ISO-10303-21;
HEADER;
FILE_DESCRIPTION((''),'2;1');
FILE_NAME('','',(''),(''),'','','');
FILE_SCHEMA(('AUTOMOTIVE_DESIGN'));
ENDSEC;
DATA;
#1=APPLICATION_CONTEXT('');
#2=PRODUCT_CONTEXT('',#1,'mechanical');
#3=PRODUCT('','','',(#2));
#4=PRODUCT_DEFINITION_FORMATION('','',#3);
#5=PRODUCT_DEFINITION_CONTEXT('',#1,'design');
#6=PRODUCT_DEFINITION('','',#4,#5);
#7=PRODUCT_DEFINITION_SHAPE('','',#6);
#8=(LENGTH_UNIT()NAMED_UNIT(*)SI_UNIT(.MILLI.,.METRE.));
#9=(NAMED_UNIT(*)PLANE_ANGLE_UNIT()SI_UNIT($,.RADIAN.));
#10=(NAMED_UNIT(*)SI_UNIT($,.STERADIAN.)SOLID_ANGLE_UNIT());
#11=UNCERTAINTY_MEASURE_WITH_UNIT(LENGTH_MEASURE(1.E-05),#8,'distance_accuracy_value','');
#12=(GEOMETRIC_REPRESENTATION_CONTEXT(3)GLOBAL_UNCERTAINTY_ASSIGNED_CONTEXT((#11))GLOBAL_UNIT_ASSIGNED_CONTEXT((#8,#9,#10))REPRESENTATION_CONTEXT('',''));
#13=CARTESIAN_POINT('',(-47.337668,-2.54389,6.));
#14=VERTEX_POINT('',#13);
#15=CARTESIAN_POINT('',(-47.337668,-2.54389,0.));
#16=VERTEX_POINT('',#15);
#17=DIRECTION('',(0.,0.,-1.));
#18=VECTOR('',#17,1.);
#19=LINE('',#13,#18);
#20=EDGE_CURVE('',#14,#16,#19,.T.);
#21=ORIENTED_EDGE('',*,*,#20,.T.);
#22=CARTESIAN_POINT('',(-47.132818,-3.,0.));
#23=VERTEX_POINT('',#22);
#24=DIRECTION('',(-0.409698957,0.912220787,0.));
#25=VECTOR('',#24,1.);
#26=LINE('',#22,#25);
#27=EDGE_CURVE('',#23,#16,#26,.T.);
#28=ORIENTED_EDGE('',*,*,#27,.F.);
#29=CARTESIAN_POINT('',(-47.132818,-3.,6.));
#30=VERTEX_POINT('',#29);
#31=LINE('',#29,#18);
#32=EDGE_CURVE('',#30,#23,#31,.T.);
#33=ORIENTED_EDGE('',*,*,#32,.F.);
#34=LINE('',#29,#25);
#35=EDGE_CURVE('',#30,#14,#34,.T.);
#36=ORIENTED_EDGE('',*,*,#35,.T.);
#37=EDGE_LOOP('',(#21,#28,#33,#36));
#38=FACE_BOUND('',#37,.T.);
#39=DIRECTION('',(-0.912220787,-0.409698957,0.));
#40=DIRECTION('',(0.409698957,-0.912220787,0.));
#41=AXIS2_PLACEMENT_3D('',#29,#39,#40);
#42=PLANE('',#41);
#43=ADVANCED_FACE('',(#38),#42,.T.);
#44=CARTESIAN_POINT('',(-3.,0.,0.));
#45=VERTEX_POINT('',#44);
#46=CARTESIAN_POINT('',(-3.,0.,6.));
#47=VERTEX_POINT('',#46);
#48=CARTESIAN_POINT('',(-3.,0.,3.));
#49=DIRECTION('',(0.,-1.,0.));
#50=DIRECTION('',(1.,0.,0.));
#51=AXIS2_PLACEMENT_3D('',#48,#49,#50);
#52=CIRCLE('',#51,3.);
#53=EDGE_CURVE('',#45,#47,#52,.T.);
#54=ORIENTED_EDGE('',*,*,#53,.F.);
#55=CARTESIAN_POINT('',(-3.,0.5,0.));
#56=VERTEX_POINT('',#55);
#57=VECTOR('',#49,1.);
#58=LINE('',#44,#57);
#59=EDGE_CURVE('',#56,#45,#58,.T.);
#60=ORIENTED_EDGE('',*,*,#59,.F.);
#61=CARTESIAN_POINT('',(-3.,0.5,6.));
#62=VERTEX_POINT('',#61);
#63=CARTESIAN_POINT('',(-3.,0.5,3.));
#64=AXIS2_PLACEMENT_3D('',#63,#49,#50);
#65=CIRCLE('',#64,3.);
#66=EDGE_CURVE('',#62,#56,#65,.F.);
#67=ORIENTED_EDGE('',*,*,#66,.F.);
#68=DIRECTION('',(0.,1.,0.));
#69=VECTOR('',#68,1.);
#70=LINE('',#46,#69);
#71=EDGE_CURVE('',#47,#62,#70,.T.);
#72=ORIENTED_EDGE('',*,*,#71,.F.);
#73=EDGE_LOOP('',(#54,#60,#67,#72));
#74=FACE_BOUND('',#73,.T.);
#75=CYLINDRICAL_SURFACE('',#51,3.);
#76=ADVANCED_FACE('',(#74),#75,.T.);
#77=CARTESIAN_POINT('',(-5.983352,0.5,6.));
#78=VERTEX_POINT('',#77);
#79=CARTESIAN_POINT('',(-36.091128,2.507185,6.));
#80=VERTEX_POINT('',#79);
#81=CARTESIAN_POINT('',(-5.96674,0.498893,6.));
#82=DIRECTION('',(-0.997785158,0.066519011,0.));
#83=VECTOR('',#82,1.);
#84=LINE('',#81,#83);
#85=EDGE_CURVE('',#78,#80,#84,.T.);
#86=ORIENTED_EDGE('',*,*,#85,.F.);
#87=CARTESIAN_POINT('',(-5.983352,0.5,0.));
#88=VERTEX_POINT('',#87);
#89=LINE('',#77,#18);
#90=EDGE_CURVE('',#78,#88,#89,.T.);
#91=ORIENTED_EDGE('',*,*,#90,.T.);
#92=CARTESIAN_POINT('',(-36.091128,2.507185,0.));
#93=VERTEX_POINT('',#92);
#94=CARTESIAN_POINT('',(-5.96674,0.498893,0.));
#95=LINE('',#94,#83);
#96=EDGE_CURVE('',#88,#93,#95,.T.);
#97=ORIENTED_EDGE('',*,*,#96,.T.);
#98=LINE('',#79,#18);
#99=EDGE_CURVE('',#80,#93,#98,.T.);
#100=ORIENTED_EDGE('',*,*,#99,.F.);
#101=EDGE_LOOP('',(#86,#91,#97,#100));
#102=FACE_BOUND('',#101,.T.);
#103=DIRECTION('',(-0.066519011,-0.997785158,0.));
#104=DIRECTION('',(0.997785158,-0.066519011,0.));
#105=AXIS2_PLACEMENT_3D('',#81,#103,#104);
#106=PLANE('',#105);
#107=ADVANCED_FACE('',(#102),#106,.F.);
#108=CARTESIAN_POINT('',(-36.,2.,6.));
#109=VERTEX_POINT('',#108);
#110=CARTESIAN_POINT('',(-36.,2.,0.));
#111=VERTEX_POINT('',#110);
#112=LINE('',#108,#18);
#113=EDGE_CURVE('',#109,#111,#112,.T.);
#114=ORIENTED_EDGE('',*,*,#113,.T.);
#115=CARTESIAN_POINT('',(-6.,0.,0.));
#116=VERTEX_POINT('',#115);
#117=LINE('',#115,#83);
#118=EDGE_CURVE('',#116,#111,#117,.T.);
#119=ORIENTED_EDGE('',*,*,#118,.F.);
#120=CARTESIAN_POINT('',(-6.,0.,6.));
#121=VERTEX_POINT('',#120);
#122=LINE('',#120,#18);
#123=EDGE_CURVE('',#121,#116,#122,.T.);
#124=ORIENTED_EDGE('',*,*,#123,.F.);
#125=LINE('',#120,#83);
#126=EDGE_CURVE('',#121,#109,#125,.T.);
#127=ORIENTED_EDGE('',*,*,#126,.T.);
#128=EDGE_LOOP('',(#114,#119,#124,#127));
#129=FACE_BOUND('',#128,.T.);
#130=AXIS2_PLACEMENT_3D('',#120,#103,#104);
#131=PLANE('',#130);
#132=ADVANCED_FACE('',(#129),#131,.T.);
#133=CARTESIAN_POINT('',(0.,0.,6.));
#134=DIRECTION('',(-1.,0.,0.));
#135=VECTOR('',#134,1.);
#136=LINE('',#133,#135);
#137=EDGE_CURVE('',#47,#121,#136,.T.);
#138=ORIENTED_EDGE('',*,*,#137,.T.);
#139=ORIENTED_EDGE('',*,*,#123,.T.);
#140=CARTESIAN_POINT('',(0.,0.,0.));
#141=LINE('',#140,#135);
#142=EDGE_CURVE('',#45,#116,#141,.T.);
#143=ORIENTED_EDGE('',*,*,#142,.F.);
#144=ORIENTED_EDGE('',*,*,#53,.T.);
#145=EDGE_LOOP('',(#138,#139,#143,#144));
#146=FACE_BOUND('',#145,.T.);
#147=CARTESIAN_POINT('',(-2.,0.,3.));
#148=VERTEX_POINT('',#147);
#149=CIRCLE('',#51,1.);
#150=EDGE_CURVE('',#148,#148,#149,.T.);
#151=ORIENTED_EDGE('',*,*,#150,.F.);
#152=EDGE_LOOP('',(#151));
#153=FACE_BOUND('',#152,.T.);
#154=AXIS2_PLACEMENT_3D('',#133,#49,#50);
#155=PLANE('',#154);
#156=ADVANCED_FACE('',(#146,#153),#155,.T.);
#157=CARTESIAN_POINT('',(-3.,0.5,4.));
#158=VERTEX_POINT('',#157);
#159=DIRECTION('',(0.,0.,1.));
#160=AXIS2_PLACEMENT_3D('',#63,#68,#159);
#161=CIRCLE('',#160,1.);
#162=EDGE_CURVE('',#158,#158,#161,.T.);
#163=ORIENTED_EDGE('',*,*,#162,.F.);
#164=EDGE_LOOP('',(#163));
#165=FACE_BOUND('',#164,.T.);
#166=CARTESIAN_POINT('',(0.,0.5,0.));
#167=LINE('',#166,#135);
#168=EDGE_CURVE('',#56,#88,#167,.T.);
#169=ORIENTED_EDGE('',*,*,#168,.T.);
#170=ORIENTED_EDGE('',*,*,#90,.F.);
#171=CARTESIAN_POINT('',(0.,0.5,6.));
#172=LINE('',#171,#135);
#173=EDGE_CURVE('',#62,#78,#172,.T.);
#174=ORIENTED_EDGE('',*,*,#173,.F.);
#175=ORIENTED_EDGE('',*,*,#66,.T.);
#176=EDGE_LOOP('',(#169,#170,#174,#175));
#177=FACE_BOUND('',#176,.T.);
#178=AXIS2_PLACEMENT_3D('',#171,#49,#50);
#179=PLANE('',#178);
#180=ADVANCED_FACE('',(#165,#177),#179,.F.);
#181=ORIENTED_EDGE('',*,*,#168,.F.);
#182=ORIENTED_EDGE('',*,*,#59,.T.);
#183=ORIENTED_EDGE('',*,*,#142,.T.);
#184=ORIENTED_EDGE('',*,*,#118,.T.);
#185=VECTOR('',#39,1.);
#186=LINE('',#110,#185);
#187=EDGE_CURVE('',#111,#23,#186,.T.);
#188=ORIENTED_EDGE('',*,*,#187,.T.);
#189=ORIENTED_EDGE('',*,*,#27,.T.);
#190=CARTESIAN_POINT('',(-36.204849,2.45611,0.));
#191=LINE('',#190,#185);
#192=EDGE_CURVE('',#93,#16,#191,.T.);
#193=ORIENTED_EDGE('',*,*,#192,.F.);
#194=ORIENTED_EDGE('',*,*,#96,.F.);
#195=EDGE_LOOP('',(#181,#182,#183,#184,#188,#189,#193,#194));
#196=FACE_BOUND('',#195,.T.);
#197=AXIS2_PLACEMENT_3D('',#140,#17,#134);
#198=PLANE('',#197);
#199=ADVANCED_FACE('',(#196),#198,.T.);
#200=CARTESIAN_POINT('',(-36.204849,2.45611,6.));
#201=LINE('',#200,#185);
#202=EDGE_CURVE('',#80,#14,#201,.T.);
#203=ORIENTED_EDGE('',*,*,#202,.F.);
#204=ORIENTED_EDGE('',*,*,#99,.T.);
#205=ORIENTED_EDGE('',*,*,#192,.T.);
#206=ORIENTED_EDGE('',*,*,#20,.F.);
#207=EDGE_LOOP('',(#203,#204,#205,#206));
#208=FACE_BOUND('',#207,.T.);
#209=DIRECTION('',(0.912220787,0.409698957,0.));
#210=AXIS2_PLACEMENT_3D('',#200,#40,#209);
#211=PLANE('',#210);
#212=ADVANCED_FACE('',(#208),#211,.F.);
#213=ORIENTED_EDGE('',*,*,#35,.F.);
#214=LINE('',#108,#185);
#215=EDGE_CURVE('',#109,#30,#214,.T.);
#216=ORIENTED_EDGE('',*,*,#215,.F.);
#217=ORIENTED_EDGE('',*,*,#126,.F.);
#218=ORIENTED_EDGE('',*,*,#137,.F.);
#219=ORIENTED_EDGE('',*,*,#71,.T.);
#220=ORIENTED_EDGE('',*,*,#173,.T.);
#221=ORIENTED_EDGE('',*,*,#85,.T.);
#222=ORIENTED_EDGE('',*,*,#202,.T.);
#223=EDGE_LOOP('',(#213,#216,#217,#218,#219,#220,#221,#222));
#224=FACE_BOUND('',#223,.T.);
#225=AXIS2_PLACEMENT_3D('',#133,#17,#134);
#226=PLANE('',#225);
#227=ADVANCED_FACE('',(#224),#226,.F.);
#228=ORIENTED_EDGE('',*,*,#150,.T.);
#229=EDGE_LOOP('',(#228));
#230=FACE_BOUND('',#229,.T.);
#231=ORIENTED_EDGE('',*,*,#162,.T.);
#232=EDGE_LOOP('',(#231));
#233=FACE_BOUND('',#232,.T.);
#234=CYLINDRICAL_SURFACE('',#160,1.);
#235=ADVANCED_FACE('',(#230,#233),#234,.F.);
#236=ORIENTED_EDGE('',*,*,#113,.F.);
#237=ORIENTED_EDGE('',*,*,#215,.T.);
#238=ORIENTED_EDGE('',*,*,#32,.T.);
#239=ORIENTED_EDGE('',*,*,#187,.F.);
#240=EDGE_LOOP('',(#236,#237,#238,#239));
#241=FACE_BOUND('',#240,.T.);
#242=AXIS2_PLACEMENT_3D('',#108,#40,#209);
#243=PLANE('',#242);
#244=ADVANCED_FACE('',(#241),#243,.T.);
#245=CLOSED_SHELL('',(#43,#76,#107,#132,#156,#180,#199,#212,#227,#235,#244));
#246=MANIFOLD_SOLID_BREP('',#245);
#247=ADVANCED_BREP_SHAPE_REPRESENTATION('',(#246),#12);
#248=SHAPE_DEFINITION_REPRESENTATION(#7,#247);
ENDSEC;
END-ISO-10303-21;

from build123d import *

# Parameters (mm, degrees)
EXTRUDE_THIN1_DEPTH   = 6
FILLET1_RADIUS        = 3
FILLET1_LENGTH        = 0.5
F_2_0MM_DOWEL_HOLE1_D = 2


with BuildPart() as part:
    # Sketch1 → Extrude-Thin1 (new body)
    with BuildSketch(Plane.XY):
        Polygon((0, 0), (-6, 0), (-36, 2), (-47.132818026, -3), (-47.337667505, -2.543889606), (-36.091128385, 2.507185105), (-5.983351811, 0.5), (0, 0.5), align=None)
    extrude(amount=EXTRUDE_THIN1_DEPTH)

    # Fillet1: full round fillet: the end face becomes a half cylinder, R = half its width
    fillet1_face = Plane((0, 0.25, 3), x_dir=(0, -1, 0), z_dir=(1, 0, 0))  # on the end face: x along it, z out of the body
    fillet1_slab = fillet1_face.offset(-FILLET1_RADIUS / 2) * Box(FILLET1_LENGTH, 2 * FILLET1_RADIUS, FILLET1_RADIUS, mode=Mode.PRIVATE)  # the body's end, R deep
    fillet1_round = Plane((-3, 0.25, 3), x_dir=(1, 0, 0), z_dir=(0, -1, 0)) * Cylinder(FILLET1_RADIUS, FILLET1_LENGTH, mode=Mode.PRIVATE)  # its axis R under the face
    add(fillet1_slab - fillet1_round, mode=Mode.SUBTRACT)

    # Ø2.0mm Dowel Hole1 (through all)
    with Locations(Plane(origin=(0, 0.5, 0), x_dir=(1, 0, 0), z_dir=(0, 1, 0))):
        with Locations((-3, -3)):
            Hole(F_2_0MM_DOWEL_HOLE1_D / 2)


solid = part.part
